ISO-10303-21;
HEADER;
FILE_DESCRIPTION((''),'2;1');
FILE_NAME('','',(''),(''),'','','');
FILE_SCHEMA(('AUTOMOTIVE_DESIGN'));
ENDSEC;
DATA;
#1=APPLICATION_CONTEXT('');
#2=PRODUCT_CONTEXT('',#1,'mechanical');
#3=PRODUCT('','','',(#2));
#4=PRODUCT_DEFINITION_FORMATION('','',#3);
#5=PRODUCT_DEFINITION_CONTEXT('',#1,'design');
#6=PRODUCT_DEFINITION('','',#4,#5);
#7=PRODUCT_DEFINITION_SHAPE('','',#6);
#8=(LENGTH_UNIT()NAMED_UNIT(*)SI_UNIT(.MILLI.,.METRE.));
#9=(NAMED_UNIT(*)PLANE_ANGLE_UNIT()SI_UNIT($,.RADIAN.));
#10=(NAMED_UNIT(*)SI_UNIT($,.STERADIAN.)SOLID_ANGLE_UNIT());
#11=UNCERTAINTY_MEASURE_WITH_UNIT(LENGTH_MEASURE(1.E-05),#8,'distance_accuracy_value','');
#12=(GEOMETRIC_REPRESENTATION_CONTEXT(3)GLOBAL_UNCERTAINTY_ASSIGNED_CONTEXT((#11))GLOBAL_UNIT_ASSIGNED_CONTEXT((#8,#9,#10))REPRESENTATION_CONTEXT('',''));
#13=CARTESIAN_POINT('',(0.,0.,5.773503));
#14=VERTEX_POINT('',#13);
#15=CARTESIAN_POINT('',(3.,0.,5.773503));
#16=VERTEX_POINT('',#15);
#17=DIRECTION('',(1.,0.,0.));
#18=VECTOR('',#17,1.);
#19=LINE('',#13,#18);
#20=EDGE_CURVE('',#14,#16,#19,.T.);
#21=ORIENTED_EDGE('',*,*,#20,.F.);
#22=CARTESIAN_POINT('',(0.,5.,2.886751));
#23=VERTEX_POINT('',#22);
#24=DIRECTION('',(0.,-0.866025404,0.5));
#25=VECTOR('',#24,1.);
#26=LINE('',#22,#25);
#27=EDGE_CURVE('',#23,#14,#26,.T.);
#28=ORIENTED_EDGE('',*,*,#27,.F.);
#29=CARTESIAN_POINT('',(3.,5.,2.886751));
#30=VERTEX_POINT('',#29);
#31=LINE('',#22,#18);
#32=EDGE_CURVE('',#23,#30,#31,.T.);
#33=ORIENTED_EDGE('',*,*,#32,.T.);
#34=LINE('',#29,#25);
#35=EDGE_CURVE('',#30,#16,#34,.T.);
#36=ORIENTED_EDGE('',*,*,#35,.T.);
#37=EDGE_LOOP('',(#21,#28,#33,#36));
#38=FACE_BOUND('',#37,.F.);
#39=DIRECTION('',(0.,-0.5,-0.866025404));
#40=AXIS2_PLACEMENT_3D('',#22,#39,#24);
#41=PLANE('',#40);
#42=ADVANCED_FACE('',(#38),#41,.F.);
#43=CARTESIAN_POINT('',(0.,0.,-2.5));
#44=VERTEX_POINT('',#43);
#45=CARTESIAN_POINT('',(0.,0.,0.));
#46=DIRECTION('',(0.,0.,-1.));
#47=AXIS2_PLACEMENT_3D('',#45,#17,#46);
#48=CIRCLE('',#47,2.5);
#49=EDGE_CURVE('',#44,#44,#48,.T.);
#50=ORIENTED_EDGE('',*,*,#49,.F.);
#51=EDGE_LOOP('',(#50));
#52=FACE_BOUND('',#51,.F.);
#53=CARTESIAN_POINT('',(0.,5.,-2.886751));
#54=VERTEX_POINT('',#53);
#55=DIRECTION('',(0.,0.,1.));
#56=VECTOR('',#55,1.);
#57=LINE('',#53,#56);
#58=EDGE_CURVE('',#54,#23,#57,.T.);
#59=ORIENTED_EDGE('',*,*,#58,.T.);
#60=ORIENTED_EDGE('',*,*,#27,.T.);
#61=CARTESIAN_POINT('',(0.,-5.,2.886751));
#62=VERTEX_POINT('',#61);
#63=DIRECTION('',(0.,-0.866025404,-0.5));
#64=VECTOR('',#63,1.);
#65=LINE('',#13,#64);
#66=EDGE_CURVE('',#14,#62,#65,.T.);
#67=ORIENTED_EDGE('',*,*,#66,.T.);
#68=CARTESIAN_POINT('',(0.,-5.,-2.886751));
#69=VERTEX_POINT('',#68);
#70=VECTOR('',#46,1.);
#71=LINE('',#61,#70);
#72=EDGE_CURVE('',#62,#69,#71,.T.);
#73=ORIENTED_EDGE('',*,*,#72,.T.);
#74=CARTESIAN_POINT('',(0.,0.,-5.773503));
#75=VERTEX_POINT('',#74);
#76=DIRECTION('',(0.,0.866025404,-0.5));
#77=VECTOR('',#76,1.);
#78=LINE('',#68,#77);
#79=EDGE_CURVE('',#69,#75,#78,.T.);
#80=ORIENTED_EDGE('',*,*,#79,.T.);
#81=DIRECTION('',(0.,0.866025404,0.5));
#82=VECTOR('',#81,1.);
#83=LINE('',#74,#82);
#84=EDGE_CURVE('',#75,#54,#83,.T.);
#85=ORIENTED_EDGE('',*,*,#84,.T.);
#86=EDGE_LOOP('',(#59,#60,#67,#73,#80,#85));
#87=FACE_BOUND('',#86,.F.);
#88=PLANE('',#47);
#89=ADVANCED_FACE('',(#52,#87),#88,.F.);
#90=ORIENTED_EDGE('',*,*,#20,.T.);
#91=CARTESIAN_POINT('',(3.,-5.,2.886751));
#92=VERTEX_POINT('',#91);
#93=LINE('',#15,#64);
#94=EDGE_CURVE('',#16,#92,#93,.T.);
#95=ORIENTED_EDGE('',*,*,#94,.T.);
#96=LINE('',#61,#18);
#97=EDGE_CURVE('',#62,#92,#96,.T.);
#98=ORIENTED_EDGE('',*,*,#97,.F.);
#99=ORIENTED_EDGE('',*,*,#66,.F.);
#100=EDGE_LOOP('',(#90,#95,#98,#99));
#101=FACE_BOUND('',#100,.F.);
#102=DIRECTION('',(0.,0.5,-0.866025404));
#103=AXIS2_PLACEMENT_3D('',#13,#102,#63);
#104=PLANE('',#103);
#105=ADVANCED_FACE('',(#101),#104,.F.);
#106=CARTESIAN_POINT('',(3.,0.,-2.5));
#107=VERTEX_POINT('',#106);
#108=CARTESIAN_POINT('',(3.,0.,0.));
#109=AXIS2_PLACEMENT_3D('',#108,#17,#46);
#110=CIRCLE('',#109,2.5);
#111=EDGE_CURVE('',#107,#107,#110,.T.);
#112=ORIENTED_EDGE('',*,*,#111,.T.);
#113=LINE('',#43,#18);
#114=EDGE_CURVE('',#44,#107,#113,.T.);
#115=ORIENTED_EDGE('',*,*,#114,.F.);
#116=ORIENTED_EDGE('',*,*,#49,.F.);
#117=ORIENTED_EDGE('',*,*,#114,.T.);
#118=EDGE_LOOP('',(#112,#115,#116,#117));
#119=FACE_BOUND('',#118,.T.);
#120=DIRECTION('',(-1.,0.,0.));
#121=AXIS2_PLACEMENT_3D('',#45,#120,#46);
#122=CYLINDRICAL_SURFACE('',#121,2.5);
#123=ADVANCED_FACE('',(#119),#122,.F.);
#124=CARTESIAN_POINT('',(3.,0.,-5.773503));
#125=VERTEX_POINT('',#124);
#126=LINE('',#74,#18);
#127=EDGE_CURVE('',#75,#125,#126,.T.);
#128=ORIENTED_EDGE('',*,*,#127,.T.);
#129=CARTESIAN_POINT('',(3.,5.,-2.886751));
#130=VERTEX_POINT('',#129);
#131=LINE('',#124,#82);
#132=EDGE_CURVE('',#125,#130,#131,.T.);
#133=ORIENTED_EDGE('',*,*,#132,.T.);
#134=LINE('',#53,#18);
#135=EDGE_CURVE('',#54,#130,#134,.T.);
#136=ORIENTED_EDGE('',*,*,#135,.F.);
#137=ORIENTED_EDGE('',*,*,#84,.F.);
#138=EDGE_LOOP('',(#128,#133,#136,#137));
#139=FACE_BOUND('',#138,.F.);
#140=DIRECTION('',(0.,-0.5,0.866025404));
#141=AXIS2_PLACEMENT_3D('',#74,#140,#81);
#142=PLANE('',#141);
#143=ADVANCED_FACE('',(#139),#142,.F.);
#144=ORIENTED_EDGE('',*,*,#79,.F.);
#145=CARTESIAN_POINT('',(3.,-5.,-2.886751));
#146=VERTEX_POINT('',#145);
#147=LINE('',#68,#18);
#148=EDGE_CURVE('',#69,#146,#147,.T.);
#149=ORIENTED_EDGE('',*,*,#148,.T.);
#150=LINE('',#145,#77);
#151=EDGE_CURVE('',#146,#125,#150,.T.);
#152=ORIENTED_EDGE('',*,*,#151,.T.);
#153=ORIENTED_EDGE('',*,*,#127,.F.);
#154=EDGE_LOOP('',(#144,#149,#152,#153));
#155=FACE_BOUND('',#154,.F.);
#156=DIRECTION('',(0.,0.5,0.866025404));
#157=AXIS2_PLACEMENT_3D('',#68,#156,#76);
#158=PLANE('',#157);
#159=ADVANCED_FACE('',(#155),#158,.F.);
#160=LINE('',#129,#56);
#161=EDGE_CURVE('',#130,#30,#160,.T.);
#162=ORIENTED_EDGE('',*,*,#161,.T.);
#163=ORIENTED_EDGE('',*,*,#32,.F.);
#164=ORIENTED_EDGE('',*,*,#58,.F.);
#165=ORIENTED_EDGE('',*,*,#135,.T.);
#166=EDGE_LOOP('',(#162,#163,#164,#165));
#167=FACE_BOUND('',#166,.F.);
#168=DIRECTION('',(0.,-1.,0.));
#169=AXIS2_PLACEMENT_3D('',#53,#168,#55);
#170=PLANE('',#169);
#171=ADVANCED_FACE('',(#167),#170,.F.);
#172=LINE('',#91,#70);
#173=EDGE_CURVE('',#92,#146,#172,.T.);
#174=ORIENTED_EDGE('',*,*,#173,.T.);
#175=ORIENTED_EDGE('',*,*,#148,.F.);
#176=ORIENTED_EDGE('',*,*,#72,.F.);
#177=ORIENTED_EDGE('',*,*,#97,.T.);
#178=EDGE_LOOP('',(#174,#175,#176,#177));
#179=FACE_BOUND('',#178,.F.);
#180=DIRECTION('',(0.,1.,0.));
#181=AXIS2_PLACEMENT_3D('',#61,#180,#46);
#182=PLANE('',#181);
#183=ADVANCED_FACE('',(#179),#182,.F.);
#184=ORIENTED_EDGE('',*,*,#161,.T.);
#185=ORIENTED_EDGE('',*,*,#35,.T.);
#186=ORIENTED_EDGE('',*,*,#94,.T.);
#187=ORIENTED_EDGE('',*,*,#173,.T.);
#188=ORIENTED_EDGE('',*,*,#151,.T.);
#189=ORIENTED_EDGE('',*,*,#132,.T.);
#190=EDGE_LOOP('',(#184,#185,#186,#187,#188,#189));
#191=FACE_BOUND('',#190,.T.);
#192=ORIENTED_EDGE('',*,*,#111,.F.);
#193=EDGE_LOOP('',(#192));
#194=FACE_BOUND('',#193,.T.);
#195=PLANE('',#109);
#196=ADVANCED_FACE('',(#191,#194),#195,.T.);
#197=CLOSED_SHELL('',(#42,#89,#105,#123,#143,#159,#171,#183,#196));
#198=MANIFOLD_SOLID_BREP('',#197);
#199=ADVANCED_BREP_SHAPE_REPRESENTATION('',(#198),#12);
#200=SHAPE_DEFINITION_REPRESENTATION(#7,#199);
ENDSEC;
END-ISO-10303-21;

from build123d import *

# Parameters (mm, degrees)
SKETCH1_R           = 2.5
BOSS_EXTRUDE1_DEPTH = 3


with BuildPart() as part:
    # Sketch1 → Boss-Extrude1 (new body)
    with BuildSketch(Plane(origin=(0, 0, 0), x_dir=(0, 0, -1), z_dir=(1, 0, 0))):
        Polygon((5.773502692, 0), (2.886751346, 5), (-2.886751346, 5), (-5.773502692, 0), (-2.886751346, -5), (2.886751346, -5), align=None)
        Circle(SKETCH1_R, mode=Mode.SUBTRACT)
    extrude(amount=BOSS_EXTRUDE1_DEPTH)


solid = part.part
